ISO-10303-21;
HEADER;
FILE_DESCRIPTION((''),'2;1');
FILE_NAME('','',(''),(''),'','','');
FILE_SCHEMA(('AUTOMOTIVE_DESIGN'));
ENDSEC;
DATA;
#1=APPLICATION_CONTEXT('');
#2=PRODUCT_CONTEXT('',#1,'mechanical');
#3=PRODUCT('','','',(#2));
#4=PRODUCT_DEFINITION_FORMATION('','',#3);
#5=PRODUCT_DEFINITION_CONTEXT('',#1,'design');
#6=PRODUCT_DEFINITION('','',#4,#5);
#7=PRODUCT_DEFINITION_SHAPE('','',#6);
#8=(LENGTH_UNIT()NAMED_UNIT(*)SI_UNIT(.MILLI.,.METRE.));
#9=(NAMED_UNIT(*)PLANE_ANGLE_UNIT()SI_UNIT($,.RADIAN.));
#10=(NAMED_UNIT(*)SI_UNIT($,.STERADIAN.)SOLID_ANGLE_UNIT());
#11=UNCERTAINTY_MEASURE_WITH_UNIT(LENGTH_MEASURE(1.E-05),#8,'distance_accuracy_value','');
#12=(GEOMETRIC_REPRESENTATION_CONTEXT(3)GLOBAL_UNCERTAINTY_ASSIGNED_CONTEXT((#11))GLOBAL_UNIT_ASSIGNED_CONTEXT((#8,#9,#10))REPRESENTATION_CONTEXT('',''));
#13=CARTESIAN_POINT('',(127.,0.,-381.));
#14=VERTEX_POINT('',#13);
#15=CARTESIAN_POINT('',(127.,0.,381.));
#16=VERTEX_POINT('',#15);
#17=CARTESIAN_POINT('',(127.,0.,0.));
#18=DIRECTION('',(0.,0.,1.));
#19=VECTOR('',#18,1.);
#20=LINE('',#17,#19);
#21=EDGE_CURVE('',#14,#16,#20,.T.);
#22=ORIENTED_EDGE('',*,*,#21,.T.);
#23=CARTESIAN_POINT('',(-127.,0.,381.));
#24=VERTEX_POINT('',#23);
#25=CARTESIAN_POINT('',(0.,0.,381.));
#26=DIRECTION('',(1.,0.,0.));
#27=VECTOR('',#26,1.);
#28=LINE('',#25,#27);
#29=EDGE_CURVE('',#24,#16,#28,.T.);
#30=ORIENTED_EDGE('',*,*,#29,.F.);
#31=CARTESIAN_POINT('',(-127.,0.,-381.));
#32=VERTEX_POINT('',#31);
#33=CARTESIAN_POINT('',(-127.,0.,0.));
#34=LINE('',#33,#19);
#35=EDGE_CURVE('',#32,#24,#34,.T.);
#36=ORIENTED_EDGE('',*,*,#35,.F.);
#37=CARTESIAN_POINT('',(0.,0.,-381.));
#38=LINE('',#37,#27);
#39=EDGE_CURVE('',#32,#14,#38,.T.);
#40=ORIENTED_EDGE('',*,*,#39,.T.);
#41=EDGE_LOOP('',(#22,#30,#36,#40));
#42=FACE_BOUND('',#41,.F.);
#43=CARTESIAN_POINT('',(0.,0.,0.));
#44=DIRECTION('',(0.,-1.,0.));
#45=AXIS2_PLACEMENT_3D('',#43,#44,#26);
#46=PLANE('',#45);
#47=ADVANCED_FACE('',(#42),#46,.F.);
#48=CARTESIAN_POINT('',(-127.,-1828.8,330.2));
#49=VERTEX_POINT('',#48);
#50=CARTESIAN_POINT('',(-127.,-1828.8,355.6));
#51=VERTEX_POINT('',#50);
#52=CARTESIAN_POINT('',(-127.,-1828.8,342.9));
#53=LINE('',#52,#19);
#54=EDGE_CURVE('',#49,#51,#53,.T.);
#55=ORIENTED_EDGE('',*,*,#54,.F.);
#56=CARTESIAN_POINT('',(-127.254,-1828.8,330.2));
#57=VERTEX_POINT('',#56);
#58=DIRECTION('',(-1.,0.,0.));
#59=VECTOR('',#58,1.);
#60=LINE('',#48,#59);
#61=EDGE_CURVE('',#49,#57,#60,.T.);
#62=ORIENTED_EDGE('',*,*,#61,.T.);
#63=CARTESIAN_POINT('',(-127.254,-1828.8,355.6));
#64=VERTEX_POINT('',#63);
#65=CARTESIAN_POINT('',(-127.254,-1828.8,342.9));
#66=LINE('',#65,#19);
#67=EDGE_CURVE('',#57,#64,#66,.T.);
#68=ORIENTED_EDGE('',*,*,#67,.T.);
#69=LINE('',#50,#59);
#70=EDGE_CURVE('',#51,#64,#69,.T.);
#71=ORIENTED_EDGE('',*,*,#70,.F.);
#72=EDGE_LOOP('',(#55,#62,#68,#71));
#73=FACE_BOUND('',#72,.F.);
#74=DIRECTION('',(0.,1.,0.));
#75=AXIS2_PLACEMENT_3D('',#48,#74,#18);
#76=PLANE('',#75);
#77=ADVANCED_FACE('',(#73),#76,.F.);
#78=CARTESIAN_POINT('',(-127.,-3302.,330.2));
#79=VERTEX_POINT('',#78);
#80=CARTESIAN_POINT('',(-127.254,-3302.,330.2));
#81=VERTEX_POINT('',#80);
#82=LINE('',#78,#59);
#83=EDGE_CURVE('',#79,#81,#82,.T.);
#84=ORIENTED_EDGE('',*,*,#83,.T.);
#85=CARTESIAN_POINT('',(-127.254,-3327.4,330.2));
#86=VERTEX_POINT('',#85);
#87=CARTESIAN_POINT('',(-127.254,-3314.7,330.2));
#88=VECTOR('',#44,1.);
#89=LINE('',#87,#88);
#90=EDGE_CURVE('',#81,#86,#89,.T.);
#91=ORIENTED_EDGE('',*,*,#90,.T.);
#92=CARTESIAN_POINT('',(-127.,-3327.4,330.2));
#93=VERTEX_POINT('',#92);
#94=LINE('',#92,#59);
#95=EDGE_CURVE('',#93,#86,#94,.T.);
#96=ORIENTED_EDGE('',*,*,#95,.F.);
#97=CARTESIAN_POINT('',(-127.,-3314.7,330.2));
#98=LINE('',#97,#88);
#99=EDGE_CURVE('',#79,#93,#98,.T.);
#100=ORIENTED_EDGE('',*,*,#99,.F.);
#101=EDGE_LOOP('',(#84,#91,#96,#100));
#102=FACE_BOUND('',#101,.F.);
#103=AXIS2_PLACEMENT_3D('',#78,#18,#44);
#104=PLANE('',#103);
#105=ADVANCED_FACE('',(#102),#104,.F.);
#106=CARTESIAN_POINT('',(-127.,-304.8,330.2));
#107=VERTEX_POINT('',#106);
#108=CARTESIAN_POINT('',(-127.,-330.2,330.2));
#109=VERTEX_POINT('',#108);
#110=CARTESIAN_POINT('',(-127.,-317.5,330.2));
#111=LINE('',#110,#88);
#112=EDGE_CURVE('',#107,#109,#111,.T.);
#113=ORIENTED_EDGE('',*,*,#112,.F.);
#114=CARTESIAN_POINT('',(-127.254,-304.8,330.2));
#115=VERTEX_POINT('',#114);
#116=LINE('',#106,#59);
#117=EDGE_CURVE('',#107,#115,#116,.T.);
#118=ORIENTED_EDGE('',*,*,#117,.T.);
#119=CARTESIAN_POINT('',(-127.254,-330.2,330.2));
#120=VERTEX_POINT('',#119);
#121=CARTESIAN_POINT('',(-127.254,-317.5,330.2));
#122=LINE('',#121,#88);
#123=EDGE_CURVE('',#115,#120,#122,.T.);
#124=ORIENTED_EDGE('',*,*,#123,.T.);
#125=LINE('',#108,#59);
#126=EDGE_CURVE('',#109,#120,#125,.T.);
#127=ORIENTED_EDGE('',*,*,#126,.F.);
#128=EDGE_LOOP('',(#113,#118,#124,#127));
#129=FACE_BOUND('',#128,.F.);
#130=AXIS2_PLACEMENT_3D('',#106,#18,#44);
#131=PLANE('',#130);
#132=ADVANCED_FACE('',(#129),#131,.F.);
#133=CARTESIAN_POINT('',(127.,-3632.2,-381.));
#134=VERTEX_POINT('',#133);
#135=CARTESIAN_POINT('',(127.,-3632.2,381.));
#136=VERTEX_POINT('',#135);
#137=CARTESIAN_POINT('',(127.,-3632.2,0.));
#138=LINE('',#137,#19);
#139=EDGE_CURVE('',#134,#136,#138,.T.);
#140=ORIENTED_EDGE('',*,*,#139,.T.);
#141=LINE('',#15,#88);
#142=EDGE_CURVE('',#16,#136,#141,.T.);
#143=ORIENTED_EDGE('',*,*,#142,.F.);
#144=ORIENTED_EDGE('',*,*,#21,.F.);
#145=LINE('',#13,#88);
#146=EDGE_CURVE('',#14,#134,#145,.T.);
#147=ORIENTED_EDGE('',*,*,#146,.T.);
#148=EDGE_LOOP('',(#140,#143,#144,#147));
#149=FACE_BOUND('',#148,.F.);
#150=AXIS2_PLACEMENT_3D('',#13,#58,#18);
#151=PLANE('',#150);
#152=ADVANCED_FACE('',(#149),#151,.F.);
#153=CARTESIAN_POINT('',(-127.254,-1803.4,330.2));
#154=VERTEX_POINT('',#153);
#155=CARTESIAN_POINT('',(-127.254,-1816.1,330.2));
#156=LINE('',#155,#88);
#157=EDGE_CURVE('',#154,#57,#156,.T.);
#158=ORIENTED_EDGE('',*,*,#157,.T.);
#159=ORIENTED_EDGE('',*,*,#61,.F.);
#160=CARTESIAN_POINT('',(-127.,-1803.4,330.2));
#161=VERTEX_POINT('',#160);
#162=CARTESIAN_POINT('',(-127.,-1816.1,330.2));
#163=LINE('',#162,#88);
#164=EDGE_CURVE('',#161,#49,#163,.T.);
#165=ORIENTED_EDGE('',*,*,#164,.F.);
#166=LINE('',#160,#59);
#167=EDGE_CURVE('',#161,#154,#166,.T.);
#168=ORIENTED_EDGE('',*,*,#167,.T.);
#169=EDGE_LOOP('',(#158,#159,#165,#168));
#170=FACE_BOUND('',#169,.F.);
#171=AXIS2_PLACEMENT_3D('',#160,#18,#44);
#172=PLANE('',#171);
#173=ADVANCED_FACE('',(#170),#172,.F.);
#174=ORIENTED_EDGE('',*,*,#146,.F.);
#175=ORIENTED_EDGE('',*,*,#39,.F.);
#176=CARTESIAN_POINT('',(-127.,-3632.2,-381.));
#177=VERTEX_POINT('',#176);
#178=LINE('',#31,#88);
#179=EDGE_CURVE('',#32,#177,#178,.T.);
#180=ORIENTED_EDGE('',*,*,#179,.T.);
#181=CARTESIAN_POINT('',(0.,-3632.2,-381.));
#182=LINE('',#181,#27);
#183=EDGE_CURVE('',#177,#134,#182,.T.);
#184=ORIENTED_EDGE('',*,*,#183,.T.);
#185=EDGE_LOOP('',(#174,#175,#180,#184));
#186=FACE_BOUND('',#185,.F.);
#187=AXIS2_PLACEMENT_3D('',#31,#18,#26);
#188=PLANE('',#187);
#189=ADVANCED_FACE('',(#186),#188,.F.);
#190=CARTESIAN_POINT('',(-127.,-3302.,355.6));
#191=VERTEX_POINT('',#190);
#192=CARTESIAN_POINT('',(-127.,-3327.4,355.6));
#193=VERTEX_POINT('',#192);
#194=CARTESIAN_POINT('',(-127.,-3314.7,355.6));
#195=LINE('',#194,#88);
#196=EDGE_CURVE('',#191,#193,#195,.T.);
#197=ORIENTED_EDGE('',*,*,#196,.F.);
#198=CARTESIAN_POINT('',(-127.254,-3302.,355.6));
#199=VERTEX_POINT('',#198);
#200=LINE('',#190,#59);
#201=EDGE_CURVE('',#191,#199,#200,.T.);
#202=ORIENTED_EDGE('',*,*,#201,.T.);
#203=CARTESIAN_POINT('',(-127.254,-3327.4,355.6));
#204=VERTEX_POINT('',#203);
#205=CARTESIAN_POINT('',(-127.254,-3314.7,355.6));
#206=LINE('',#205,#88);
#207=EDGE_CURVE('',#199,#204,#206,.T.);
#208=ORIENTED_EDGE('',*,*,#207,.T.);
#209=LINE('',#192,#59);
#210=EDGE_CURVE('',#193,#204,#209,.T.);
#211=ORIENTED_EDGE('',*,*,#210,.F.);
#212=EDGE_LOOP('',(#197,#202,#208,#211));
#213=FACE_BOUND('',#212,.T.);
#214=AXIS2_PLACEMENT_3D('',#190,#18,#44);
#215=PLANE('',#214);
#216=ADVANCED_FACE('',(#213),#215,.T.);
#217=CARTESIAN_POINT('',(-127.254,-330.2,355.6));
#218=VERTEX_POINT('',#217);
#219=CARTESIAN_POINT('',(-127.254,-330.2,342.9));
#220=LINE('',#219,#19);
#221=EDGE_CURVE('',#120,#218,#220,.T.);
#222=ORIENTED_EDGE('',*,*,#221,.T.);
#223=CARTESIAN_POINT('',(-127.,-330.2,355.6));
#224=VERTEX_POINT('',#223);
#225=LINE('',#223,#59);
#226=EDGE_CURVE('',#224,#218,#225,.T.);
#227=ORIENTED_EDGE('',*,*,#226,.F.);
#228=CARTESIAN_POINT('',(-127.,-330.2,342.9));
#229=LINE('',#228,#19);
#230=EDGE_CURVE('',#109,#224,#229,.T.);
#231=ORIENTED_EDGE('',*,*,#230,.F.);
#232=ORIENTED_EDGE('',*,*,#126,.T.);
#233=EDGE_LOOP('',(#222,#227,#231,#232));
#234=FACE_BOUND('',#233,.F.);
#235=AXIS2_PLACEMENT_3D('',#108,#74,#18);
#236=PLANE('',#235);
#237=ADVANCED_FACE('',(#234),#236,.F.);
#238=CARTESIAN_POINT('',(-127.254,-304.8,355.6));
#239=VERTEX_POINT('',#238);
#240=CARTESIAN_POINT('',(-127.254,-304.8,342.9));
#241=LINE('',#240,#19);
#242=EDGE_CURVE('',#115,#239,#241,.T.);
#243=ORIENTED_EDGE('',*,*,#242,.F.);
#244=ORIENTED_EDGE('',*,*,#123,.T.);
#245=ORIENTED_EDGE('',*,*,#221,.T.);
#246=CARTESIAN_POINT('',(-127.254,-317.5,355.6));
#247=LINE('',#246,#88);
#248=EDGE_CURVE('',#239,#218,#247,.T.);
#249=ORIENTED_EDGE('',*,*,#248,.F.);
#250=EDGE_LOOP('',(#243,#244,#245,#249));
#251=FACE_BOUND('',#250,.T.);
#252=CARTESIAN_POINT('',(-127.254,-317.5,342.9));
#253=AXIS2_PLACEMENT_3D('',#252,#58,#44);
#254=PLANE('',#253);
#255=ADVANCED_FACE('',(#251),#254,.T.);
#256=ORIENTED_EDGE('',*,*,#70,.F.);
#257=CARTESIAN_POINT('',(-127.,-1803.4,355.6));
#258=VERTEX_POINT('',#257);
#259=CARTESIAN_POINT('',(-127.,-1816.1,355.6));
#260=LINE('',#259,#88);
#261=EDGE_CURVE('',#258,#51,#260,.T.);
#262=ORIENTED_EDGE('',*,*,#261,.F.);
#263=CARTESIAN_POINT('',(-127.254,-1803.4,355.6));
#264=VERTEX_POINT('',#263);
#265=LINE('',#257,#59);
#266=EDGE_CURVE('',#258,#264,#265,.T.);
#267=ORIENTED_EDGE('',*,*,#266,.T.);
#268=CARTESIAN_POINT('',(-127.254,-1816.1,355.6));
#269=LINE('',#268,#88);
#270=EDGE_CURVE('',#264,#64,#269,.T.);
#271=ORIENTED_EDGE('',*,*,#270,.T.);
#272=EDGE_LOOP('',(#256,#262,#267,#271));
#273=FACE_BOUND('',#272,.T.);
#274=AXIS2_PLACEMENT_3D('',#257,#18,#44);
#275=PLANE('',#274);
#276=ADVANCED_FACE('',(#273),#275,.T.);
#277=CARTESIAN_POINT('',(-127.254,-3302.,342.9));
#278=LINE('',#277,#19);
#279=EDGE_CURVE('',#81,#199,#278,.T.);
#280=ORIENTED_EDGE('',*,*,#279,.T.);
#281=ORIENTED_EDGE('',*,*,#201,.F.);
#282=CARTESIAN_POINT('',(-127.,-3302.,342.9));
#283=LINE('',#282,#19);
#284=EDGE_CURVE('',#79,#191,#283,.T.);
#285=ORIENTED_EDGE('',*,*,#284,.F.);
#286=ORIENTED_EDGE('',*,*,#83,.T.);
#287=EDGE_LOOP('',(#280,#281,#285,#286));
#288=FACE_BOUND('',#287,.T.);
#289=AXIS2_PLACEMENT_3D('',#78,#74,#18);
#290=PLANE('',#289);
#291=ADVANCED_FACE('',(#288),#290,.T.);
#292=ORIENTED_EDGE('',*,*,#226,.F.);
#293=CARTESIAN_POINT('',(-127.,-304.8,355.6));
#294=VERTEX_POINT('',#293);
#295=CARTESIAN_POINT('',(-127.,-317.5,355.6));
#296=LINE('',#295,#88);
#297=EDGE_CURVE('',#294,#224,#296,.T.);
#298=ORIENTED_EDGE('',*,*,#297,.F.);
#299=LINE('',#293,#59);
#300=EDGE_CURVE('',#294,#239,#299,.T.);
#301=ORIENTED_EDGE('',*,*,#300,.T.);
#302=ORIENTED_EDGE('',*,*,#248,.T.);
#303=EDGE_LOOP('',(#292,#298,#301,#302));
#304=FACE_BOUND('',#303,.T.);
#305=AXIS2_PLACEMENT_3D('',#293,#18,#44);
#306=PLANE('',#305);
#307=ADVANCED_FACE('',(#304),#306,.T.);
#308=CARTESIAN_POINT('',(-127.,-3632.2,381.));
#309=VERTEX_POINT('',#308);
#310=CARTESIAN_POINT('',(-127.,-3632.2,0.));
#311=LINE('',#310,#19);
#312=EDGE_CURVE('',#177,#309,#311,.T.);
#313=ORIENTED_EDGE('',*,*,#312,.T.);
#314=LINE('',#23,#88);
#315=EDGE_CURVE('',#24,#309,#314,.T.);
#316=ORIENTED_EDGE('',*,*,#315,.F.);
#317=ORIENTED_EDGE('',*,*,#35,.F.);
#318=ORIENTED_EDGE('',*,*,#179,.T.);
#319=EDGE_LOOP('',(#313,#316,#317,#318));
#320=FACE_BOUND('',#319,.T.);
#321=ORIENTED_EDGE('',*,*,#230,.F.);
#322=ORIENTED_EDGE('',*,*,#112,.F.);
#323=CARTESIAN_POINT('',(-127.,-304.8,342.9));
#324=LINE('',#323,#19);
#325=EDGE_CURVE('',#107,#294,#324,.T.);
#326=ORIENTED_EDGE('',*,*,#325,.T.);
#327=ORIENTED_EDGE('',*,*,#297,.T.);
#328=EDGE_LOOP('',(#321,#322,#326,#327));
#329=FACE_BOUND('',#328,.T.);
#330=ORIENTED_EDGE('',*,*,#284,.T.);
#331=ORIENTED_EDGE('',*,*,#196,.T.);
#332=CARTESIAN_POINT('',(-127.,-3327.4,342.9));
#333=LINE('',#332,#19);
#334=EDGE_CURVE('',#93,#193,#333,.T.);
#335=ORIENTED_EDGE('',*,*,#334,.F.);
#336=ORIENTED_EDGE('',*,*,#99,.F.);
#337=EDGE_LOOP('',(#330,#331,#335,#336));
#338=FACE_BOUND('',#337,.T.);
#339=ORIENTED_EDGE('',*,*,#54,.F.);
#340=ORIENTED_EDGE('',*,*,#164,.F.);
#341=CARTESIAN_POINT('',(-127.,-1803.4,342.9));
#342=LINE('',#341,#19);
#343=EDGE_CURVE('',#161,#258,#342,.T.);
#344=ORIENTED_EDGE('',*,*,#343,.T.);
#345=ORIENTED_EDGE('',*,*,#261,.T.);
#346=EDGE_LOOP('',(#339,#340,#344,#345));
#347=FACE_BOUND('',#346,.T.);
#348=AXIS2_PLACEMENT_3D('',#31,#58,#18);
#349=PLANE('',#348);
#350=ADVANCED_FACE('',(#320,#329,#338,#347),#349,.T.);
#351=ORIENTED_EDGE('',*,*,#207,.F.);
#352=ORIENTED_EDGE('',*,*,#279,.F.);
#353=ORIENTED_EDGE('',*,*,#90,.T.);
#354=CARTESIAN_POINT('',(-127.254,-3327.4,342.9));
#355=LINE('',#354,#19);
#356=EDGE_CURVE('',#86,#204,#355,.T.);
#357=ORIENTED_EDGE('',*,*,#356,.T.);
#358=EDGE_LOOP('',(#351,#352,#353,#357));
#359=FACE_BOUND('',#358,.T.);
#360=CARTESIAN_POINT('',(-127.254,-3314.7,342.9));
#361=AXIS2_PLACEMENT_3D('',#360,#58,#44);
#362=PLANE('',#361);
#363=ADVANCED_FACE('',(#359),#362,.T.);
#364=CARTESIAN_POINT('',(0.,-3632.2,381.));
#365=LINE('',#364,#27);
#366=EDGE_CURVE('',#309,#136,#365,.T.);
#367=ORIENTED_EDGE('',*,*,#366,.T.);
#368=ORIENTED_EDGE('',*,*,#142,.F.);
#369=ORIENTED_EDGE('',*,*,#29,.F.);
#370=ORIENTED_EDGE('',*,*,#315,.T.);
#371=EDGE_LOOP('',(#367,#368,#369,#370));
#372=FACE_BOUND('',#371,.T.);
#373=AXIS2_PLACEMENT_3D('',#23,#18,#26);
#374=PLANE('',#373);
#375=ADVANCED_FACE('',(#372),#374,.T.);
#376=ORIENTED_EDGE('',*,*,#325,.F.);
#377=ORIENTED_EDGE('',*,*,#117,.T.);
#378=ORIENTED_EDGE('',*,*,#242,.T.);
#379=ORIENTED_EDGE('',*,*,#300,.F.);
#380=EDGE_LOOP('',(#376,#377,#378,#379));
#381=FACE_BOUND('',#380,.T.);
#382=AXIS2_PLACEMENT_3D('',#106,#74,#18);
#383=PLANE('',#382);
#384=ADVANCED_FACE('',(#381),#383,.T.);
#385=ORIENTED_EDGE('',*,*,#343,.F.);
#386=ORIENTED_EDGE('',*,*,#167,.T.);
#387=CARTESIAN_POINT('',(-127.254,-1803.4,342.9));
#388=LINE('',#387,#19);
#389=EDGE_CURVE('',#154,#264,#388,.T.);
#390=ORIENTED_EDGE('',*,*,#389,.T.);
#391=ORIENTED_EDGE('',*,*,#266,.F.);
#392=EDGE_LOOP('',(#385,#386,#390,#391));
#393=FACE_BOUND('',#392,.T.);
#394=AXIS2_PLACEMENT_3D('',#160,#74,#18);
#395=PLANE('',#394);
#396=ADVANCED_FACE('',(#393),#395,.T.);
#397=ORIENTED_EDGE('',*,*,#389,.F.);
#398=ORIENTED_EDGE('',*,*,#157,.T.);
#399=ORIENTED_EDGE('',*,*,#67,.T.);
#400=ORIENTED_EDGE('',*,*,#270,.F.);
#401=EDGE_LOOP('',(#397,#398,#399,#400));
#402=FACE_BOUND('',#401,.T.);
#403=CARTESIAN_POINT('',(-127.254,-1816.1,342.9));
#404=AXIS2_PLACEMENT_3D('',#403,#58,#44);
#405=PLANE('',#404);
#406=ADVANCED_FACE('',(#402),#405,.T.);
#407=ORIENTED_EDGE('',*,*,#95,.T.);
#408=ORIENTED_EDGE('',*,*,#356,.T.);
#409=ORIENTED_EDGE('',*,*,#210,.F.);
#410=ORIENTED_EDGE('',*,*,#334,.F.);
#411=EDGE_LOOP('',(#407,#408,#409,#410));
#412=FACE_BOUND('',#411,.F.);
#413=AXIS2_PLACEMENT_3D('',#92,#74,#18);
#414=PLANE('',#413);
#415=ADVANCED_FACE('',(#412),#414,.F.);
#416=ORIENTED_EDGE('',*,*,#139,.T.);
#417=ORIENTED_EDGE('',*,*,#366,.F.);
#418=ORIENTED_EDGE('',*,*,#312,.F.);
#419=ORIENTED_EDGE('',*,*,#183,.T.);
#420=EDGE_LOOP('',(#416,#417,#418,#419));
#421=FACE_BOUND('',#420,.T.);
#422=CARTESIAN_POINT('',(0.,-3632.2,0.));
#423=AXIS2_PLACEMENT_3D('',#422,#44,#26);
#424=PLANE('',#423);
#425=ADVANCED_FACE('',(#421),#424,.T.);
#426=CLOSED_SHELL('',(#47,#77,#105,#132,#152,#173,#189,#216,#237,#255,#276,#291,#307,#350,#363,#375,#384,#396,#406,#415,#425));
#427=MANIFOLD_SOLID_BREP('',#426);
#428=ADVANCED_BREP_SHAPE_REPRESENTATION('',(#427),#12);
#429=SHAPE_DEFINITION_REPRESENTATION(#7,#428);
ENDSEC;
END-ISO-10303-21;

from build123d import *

# Parameters (mm, degrees)
F0_W     = 254
F0_H     = 762
F1_DEPTH = 3632.2
F2_W     = 25.4
F2_H     = 25.4
F3_DEPTH = 0.254


with BuildPart() as f1:
    # F0 (on Front) → F1 (new body)
    with BuildSketch(Plane.XZ):
        Rectangle(F0_W, F0_H)
    extrude(amount=F1_DEPTH)

    # F2 (on face) → F3 (join)
    with BuildSketch(Plane(origin=(-127, 0, 0), x_dir=(0, -1, 0), z_dir=(-1, 0, 0))):
        with Locations((317.5, 342.9)):
            Rectangle(F2_W, F2_H)
        with Locations((1816.1, 342.9)):
            Rectangle(F2_W, F2_H)
        with Locations((3314.7, 342.9)):
            Rectangle(F2_W, F2_H)
    extrude(amount=F3_DEPTH)


solid = f1.part
